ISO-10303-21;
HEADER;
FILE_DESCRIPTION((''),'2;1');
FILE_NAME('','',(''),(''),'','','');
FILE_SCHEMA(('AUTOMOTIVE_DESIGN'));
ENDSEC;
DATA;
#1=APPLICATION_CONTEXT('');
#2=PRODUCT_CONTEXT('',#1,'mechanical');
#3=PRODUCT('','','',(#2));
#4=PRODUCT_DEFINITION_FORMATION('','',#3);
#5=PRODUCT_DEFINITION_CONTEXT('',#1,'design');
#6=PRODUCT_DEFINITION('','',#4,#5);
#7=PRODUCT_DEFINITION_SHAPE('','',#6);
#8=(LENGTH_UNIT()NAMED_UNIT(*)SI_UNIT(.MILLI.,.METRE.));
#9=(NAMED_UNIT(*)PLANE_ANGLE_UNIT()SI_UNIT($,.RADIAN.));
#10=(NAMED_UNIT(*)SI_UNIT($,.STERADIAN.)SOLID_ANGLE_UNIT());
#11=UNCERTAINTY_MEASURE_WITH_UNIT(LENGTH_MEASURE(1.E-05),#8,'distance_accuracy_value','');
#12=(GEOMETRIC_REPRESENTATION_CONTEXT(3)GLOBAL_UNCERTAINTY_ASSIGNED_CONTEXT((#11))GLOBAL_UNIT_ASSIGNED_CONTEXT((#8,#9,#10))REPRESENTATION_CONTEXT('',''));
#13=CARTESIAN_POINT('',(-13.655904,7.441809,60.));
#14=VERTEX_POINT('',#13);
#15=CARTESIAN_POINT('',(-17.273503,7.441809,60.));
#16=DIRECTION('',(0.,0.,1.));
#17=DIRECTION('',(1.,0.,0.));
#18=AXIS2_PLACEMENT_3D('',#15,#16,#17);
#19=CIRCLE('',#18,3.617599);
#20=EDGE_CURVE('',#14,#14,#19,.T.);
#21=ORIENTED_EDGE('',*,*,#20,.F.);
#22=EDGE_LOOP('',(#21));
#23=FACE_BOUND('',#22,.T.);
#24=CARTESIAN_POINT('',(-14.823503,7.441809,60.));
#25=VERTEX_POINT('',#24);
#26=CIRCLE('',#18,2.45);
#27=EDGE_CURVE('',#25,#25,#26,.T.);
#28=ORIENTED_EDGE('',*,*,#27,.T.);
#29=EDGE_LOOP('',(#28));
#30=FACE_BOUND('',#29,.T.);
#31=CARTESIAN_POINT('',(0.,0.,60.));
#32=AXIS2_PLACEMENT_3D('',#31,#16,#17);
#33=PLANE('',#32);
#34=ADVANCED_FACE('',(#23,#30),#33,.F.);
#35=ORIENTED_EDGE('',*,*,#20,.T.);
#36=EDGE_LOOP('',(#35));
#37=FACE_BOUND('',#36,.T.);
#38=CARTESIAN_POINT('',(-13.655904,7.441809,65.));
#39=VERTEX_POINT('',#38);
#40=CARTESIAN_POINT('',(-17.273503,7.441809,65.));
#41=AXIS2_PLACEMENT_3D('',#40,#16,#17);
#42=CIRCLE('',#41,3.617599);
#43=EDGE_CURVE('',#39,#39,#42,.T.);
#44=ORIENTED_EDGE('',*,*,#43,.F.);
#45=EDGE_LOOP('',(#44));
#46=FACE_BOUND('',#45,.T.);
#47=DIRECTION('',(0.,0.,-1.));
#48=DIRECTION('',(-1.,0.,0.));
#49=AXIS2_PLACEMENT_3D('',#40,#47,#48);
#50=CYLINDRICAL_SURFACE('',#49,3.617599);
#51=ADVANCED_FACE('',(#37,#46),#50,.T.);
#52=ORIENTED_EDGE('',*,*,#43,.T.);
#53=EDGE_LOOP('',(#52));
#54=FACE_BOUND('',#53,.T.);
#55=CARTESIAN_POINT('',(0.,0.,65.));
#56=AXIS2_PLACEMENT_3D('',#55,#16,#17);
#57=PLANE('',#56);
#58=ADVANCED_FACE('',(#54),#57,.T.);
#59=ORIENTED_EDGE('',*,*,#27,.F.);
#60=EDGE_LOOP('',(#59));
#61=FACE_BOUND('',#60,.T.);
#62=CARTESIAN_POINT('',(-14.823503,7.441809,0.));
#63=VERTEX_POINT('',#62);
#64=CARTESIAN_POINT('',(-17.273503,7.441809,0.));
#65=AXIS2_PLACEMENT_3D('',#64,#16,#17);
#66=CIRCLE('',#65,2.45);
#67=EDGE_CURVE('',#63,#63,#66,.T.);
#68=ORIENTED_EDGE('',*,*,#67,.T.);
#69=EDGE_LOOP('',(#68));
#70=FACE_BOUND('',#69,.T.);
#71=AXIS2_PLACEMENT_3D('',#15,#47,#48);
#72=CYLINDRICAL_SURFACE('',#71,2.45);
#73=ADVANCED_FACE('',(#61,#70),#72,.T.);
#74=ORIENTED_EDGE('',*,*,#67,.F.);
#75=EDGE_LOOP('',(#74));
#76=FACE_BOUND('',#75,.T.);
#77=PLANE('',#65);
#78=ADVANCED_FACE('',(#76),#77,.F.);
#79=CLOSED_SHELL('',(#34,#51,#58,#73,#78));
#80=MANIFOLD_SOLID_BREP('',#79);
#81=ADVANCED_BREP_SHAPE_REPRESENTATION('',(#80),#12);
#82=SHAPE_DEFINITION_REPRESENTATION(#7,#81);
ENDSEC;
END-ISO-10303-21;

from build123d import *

# Parameters (mm, degrees)
CROQUIS1_R              = 2.45
SALIENTE_EXTRUIR1_DEPTH = 60
CROQUIS2_R              = 3.617598783
SALIENTE_EXTRUIR2_DEPTH = 5


with BuildPart() as part:
    # Croquis1 → Saliente-Extruir1 (new body)
    with BuildSketch(Plane.XY):
        with Locations((-17.273503229, 7.441808597)):
            Circle(CROQUIS1_R)
    extrude(amount=SALIENTE_EXTRUIR1_DEPTH)

    # Croquis2 → Saliente-Extruir2 (add)
    with BuildSketch(Plane.XY.offset(60)):
        with Locations((-17.273503229, 7.441808597)):
            Circle(CROQUIS2_R)
    extrude(amount=SALIENTE_EXTRUIR2_DEPTH)


solid = part.part
